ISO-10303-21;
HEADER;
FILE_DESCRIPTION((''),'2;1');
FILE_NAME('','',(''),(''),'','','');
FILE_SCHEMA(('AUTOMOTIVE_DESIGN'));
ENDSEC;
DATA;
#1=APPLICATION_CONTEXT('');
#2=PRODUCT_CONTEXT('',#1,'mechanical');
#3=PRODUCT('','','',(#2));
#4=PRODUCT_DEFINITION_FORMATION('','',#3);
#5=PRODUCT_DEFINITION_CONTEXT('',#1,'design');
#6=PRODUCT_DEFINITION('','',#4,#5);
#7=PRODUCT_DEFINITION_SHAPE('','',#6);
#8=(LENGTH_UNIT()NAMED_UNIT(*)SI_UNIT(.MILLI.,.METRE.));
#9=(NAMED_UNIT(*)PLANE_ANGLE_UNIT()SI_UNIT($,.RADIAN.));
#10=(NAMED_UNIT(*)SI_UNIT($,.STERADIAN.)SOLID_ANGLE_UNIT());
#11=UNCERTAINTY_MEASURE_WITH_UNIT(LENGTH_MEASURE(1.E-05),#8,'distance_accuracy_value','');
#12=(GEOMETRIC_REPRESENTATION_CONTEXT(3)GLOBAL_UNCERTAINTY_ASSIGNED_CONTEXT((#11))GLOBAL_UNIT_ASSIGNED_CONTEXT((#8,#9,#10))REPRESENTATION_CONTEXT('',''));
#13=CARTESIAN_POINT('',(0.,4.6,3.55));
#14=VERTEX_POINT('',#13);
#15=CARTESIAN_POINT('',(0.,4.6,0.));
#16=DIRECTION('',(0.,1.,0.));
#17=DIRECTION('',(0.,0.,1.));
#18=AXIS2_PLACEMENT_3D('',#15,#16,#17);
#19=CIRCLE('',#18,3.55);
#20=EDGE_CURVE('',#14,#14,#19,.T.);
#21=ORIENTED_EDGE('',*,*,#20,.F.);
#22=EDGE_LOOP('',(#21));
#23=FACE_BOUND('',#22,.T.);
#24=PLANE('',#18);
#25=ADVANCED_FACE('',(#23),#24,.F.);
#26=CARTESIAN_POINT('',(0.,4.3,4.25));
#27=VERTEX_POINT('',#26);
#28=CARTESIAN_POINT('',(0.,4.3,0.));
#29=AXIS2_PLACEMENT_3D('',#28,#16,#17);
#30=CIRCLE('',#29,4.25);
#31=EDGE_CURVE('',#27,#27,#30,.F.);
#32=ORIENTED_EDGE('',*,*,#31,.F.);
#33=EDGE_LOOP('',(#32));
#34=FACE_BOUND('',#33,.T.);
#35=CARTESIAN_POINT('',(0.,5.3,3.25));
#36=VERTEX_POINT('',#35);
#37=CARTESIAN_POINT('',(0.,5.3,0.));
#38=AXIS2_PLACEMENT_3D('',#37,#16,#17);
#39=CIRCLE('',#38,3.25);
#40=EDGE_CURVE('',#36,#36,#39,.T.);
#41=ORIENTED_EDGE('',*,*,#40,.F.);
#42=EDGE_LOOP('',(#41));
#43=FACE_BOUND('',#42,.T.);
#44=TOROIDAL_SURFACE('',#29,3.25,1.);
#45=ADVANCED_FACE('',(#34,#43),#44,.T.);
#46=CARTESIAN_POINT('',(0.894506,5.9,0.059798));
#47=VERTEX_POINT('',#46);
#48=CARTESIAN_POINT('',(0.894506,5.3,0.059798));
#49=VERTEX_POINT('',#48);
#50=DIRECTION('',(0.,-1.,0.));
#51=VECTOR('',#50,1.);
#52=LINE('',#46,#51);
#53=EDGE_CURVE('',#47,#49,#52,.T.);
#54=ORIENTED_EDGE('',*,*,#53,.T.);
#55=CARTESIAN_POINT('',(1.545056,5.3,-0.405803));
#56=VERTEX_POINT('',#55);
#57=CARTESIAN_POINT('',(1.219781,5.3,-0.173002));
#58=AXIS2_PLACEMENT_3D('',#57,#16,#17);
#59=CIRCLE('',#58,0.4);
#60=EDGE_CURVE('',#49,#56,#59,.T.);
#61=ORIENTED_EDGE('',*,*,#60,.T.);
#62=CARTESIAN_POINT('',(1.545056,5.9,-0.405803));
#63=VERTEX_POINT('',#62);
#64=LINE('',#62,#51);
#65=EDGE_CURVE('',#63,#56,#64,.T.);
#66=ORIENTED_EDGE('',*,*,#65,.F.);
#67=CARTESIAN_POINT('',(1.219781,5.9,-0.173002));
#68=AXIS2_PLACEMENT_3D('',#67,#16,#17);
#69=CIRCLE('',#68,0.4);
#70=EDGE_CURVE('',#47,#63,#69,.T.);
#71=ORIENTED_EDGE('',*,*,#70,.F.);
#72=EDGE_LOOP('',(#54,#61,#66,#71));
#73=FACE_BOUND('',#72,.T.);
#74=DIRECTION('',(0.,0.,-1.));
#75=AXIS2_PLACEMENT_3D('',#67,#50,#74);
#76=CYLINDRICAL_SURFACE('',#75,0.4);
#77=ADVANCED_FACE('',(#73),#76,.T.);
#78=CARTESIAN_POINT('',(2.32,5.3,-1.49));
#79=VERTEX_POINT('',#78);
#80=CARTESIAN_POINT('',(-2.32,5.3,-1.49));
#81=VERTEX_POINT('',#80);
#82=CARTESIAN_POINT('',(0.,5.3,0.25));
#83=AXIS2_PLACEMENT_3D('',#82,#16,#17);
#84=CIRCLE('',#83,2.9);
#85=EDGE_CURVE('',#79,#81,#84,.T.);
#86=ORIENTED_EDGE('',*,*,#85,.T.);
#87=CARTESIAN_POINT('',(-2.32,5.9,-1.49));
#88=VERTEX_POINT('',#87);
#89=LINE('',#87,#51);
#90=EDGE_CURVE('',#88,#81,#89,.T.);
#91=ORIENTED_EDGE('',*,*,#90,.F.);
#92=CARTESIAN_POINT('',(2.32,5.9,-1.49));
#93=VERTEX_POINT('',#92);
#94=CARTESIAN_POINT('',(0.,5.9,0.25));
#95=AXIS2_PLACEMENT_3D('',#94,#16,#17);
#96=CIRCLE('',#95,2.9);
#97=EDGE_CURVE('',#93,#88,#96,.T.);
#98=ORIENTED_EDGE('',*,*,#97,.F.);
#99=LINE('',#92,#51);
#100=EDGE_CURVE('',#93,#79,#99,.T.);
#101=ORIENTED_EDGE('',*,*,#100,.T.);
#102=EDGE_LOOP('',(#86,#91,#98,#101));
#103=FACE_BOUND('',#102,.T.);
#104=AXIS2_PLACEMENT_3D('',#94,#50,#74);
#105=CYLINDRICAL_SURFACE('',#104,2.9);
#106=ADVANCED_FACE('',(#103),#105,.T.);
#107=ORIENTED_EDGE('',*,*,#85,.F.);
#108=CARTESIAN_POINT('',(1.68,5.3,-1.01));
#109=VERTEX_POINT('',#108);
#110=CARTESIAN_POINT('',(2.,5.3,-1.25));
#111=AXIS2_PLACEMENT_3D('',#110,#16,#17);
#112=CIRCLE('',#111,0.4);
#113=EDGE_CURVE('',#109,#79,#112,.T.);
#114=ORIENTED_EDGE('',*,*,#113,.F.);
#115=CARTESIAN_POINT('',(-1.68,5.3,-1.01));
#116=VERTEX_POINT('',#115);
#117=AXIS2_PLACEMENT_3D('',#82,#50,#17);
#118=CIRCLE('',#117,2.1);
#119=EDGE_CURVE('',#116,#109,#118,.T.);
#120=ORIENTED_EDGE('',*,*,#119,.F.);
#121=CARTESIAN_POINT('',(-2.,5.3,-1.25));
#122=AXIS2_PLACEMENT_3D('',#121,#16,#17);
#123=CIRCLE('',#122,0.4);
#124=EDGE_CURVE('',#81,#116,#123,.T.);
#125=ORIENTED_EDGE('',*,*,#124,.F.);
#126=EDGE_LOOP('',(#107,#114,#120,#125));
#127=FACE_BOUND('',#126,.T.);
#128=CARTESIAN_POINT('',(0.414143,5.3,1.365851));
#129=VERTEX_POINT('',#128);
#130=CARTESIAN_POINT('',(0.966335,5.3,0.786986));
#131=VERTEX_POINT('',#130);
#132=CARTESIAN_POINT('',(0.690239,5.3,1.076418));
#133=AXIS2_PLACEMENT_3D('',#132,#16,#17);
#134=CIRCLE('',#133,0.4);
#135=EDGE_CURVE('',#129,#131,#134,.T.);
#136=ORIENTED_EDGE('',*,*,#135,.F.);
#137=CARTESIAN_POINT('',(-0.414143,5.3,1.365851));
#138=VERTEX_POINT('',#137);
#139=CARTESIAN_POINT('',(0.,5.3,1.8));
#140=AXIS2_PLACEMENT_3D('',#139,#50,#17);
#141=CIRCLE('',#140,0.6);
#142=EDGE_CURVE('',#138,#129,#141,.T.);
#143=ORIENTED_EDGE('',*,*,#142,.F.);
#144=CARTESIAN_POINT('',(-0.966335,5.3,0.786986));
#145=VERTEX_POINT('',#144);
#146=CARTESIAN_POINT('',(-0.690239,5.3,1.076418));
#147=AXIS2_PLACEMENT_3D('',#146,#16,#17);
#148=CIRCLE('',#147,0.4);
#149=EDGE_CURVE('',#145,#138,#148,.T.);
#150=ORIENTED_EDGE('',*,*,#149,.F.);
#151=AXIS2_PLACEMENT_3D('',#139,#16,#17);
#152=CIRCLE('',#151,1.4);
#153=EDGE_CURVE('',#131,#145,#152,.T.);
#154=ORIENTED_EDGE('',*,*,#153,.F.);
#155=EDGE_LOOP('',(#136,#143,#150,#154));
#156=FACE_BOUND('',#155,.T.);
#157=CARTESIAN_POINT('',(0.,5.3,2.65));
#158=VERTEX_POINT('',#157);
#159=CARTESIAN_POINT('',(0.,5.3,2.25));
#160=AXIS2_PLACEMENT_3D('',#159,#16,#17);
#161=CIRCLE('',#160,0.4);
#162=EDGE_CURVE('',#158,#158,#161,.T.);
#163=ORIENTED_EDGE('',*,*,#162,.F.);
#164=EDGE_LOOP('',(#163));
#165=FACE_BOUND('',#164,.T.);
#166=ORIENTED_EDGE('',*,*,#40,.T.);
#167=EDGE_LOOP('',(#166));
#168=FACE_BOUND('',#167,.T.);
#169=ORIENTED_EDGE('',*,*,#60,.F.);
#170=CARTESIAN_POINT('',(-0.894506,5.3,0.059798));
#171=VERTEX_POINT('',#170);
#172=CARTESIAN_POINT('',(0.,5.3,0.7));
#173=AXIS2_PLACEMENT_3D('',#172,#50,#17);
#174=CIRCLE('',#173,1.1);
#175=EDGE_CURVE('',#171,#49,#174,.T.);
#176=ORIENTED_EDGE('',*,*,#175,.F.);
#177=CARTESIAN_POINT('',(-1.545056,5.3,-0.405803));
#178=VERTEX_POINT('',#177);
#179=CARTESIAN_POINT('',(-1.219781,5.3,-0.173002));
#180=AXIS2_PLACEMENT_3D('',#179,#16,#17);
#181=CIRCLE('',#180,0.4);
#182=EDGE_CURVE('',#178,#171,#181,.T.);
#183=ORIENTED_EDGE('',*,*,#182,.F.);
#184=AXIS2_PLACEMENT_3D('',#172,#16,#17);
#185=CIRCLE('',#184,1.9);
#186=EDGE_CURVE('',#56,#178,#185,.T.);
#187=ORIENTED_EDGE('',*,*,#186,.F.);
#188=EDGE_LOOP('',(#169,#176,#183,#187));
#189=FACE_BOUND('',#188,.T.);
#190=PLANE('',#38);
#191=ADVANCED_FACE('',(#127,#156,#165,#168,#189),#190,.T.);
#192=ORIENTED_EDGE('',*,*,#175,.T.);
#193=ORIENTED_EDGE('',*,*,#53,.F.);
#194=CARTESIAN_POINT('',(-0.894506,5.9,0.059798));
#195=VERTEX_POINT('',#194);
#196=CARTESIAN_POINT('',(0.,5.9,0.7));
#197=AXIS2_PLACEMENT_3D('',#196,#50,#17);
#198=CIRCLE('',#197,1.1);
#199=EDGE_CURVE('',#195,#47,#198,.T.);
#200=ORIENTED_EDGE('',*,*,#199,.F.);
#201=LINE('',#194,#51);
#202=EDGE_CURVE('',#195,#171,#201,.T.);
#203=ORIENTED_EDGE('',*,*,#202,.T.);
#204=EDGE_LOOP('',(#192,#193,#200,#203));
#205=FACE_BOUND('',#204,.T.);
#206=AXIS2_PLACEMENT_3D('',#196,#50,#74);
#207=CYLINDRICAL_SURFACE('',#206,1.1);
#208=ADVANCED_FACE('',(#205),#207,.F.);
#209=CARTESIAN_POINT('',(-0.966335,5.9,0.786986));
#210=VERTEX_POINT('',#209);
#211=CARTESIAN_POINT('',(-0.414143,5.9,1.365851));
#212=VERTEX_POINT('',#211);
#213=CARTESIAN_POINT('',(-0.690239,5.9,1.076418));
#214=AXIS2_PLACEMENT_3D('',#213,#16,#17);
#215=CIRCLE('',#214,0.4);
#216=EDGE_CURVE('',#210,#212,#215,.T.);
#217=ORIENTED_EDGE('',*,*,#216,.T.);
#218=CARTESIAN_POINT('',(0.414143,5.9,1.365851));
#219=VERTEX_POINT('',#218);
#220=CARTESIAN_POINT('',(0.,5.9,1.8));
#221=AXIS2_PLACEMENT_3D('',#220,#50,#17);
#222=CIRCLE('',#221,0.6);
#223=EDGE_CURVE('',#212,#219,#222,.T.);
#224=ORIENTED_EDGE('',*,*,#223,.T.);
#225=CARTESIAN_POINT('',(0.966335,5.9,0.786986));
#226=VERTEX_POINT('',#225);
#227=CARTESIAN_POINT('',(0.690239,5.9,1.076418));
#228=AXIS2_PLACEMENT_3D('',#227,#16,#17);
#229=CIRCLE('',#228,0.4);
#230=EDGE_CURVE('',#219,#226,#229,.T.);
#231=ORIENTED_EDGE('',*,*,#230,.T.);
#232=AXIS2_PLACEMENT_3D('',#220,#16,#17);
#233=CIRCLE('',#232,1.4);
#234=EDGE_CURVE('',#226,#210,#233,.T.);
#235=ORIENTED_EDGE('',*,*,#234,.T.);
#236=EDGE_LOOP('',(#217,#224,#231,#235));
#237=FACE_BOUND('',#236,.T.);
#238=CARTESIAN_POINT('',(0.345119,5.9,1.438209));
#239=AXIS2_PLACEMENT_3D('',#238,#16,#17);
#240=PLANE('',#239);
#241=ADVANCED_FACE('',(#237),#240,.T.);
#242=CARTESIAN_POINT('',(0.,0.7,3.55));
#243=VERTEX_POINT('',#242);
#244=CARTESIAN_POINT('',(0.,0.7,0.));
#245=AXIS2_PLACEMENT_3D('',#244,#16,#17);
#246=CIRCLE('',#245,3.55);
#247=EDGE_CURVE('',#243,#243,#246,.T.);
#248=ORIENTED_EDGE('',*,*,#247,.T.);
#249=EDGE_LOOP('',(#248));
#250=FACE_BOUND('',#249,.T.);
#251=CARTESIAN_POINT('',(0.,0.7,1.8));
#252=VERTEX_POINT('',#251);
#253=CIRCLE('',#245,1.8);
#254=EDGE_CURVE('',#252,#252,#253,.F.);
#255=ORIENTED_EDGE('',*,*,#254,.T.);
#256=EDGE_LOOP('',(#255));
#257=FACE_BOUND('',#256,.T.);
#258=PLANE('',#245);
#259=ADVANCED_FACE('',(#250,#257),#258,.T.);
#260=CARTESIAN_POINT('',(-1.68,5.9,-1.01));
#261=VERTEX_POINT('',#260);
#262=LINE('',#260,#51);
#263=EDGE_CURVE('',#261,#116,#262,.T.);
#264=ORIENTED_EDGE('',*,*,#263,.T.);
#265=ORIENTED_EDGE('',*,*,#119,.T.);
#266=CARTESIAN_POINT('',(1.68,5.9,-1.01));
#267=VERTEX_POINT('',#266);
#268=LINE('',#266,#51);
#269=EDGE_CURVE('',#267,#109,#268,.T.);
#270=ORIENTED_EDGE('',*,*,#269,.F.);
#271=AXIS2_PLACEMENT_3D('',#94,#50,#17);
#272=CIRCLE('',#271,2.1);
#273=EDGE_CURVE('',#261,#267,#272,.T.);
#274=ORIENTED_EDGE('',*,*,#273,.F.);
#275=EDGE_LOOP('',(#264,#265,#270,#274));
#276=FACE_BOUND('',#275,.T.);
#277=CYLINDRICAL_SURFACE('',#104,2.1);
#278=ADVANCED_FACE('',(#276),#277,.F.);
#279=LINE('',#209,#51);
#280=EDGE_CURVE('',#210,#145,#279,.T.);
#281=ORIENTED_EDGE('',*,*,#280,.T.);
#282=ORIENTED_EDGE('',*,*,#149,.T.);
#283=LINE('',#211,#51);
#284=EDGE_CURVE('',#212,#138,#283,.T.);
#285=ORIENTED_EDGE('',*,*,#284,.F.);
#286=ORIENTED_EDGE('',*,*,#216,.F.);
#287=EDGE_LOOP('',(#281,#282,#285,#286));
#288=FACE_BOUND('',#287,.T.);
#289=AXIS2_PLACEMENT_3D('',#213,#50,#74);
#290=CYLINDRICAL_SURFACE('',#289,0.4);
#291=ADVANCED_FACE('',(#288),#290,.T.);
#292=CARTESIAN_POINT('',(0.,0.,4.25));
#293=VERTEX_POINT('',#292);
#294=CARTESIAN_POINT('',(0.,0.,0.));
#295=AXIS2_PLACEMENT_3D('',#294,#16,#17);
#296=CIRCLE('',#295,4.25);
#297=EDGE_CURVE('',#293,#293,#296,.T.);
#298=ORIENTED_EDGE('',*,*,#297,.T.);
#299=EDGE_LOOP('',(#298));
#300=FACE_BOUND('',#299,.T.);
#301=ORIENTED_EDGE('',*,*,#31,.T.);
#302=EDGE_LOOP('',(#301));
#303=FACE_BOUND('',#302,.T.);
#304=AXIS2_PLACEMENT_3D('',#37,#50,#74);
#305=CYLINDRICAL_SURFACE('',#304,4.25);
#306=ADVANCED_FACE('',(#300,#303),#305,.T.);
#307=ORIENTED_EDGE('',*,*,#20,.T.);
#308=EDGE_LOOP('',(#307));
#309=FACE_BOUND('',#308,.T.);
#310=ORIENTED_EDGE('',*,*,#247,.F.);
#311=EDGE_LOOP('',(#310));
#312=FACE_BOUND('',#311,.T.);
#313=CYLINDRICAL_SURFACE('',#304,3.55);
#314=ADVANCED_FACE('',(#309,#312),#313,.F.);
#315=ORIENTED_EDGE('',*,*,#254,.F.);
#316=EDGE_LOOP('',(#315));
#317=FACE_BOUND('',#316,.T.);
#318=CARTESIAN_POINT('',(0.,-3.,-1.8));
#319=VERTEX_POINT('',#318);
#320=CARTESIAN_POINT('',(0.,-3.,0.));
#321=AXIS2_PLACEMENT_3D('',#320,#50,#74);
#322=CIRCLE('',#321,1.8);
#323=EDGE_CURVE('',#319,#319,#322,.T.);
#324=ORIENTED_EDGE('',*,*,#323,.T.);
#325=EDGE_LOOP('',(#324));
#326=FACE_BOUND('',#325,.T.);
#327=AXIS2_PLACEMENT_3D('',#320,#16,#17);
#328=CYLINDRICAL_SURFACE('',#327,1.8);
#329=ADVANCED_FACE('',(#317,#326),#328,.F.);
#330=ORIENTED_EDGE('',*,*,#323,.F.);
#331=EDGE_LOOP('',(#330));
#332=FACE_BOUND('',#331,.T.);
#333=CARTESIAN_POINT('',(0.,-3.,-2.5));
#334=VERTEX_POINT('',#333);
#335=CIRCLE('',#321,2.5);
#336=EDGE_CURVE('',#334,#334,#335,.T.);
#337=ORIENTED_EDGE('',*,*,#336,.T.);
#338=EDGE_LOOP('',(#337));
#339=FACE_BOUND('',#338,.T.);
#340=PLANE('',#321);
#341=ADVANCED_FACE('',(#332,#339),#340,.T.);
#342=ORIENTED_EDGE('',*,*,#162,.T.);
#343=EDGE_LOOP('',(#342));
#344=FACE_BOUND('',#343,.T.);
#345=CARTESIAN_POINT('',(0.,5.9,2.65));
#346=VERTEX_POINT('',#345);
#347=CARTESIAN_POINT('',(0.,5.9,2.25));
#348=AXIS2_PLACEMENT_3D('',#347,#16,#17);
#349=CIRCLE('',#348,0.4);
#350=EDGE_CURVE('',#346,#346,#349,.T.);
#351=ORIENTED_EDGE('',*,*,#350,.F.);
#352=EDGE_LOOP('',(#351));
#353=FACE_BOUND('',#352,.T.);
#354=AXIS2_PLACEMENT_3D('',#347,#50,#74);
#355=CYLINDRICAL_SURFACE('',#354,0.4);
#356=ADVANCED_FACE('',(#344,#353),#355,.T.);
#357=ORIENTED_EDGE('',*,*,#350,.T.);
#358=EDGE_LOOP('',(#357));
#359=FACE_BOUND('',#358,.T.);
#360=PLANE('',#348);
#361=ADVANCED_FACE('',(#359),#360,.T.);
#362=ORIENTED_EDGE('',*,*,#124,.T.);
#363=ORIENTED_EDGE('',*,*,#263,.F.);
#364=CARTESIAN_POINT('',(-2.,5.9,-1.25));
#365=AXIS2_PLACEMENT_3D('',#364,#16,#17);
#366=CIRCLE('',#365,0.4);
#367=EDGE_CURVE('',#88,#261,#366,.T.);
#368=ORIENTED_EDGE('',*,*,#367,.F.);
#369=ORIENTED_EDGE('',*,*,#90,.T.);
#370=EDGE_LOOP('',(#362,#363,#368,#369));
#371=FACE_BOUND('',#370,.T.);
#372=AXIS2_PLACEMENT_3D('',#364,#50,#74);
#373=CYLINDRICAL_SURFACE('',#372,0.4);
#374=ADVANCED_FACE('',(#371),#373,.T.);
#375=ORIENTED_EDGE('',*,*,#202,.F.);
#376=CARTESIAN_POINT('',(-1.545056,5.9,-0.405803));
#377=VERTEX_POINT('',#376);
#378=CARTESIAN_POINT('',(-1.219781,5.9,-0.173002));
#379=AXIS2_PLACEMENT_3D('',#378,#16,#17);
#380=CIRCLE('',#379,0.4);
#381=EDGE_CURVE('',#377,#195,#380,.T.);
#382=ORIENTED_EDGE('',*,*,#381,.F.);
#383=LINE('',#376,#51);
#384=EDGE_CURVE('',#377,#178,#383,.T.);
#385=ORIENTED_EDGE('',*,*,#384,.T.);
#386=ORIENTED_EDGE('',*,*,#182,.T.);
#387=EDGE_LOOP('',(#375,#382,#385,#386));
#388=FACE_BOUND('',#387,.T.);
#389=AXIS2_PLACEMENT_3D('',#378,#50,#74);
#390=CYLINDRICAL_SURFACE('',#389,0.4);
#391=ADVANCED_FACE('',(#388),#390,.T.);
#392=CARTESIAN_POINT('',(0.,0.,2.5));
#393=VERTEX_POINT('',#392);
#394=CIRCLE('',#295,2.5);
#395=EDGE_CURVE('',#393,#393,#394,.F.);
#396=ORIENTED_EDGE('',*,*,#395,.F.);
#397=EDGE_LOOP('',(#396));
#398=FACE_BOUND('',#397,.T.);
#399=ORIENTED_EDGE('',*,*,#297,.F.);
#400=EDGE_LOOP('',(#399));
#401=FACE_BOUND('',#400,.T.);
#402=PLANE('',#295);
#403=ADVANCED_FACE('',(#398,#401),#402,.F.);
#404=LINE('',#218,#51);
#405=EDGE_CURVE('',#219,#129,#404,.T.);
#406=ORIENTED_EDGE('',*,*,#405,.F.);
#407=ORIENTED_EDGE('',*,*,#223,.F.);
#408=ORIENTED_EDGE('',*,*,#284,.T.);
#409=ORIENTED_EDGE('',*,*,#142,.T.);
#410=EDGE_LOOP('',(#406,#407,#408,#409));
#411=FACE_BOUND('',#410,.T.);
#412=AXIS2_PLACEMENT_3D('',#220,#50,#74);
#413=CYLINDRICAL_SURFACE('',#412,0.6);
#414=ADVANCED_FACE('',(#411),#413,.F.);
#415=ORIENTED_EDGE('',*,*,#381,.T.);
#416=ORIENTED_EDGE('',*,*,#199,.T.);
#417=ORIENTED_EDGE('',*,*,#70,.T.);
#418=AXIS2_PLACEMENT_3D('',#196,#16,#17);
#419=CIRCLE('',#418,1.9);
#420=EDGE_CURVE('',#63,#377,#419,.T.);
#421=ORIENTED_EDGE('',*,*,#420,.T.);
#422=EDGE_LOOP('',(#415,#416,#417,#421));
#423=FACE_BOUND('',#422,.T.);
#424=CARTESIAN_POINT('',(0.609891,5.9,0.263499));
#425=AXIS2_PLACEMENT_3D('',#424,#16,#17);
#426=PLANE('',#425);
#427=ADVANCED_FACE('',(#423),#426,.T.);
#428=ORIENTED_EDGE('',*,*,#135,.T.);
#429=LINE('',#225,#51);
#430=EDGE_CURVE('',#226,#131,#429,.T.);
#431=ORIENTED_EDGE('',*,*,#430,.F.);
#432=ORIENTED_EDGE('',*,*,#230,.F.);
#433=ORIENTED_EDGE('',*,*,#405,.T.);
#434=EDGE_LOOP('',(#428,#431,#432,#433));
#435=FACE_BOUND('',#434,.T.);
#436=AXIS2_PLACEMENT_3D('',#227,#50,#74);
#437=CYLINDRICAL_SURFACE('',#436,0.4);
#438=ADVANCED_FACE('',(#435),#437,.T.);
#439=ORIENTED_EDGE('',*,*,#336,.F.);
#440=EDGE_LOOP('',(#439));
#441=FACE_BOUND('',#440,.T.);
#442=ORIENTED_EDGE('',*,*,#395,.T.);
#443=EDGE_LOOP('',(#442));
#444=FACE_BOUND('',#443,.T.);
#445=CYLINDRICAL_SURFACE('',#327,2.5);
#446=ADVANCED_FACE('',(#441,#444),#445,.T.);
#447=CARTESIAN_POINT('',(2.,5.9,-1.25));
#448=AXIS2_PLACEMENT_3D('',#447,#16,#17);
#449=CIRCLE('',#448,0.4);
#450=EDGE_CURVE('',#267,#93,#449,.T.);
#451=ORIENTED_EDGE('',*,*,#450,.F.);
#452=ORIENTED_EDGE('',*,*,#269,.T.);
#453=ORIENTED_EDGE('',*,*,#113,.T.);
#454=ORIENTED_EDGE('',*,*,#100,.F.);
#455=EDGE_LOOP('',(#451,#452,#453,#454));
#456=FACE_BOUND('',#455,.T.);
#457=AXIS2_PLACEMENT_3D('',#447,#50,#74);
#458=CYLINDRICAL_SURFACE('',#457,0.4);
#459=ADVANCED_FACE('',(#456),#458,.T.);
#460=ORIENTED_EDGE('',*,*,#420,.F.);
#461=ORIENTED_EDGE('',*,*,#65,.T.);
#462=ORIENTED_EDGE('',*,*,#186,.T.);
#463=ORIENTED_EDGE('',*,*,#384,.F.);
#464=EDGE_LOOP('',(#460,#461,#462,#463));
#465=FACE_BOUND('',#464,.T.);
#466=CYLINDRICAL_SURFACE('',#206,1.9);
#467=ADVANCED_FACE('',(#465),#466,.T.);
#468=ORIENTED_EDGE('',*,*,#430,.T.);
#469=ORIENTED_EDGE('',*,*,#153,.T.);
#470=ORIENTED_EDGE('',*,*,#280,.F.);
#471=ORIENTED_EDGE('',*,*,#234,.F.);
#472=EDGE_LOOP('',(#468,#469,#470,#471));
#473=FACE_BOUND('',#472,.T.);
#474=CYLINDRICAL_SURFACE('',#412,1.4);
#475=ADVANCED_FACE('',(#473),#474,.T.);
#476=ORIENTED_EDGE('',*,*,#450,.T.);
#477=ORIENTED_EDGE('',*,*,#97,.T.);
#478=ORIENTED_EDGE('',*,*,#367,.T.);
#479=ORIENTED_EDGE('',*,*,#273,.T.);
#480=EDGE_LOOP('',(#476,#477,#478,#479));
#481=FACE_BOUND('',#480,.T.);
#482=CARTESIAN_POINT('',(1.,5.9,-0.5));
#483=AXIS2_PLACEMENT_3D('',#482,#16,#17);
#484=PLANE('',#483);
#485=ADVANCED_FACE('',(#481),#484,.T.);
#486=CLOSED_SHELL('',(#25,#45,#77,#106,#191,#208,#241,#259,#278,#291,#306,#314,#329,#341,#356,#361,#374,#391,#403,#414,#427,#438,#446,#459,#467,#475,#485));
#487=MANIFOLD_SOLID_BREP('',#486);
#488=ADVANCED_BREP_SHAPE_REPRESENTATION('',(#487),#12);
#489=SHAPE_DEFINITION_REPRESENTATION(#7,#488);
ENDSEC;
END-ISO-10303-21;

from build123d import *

# Parameters (mm, degrees)
SKETCH1_R           = 4.25
BOSS_EXTRUDE1_DEPTH = 5.3
SKETCH2_R           = 2.5
BOSS_EXTRUDE2_DEPTH = 3
SHELL2_T            = -0.7
FILLET1_R           = 1
SKETCH3_R           = 0.4
BOSS_EXTRUDE4_DEPTH = 0.6


with BuildPart() as part:
    # Sketch1 → Boss-Extrude1 (new body)
    with BuildSketch(Plane(origin=(0, 0, 0), x_dir=(1, 0, 0), z_dir=(0, 1, 0))):
        with Locations(Location((0, 0, 0), (0, 0, 270))):
            Circle(SKETCH1_R)
    extrude(amount=BOSS_EXTRUDE1_DEPTH)

    # Sketch2 → Boss-Extrude2 (add)
    with BuildSketch(Plane.XZ):
        with Locations(Location((0, 0, 0), (0, 0, 90))):
            Circle(SKETCH2_R)
    extrude(amount=BOSS_EXTRUDE2_DEPTH)

    # Shell2
    shell2_openings = [part.faces().sort_by_distance(p)[0] for p in [
        (0, -3, 0),
    ]]
    offset(amount=SHELL2_T, openings=shell2_openings, kind=Kind.INTERSECTION)

    # Fillet1
    fillet1_edges = [part.edges().sort_by_distance(p)[0] for p in [
        (0, 5.3, -4.25),
    ]]
    fillet(fillet1_edges, radius=FILLET1_R)

    # Sketch3 → Boss-Extrude4 (add)
    with BuildSketch(Plane(origin=(0, 5.3, 0), x_dir=(1, 0, 0), z_dir=(0, 1, 0))):
        with Locations(Location((0, -2.25, 0), (0, 0, 270))):
            Circle(SKETCH3_R)
        with BuildLine():
            ThreePointArc((0.966334519, -0.786985884), (0, -0.4), (-0.966334519, -0.786985884))
            ThreePointArc((-0.966334519, -0.786985884), (-0.979671546, -1.352514066), (-0.414143365, -1.365851093))
            ThreePointArc((-0.414143365, -1.365851093), (0, -1.2), (0.414143365, -1.365851093))
            ThreePointArc((0.414143365, -1.365851093), (0.979671546, -1.352514066), (0.966334519, -0.786985884))
        make_face()
        with BuildLine():
            ThreePointArc((1.545056478, 0.405803093), (0, 1.2), (-1.545056478, 0.405803093))
            ThreePointArc((-1.545056478, 0.405803093), (-1.452582081, -0.152272606), (-0.894506382, -0.059798209))
            ThreePointArc((-0.894506382, -0.059798209), (0, 0.4), (0.894506382, -0.059798209))
            ThreePointArc((0.894506382, -0.059798209), (1.452582081, -0.152272606), (1.545056478, 0.405803093))
        make_face()
        with BuildLine():
            ThreePointArc((2.32, 1.49), (0, 2.65), (-2.32, 1.49))
            ThreePointArc((-2.32, 1.49), (-2.24, 0.93), (-1.68, 1.01))
            ThreePointArc((-1.68, 1.01), (0, 1.85), (1.68, 1.01))
            ThreePointArc((1.68, 1.01), (2.24, 0.93), (2.32, 1.49))
        make_face()
    extrude(amount=BOSS_EXTRUDE4_DEPTH)


solid = part.part
